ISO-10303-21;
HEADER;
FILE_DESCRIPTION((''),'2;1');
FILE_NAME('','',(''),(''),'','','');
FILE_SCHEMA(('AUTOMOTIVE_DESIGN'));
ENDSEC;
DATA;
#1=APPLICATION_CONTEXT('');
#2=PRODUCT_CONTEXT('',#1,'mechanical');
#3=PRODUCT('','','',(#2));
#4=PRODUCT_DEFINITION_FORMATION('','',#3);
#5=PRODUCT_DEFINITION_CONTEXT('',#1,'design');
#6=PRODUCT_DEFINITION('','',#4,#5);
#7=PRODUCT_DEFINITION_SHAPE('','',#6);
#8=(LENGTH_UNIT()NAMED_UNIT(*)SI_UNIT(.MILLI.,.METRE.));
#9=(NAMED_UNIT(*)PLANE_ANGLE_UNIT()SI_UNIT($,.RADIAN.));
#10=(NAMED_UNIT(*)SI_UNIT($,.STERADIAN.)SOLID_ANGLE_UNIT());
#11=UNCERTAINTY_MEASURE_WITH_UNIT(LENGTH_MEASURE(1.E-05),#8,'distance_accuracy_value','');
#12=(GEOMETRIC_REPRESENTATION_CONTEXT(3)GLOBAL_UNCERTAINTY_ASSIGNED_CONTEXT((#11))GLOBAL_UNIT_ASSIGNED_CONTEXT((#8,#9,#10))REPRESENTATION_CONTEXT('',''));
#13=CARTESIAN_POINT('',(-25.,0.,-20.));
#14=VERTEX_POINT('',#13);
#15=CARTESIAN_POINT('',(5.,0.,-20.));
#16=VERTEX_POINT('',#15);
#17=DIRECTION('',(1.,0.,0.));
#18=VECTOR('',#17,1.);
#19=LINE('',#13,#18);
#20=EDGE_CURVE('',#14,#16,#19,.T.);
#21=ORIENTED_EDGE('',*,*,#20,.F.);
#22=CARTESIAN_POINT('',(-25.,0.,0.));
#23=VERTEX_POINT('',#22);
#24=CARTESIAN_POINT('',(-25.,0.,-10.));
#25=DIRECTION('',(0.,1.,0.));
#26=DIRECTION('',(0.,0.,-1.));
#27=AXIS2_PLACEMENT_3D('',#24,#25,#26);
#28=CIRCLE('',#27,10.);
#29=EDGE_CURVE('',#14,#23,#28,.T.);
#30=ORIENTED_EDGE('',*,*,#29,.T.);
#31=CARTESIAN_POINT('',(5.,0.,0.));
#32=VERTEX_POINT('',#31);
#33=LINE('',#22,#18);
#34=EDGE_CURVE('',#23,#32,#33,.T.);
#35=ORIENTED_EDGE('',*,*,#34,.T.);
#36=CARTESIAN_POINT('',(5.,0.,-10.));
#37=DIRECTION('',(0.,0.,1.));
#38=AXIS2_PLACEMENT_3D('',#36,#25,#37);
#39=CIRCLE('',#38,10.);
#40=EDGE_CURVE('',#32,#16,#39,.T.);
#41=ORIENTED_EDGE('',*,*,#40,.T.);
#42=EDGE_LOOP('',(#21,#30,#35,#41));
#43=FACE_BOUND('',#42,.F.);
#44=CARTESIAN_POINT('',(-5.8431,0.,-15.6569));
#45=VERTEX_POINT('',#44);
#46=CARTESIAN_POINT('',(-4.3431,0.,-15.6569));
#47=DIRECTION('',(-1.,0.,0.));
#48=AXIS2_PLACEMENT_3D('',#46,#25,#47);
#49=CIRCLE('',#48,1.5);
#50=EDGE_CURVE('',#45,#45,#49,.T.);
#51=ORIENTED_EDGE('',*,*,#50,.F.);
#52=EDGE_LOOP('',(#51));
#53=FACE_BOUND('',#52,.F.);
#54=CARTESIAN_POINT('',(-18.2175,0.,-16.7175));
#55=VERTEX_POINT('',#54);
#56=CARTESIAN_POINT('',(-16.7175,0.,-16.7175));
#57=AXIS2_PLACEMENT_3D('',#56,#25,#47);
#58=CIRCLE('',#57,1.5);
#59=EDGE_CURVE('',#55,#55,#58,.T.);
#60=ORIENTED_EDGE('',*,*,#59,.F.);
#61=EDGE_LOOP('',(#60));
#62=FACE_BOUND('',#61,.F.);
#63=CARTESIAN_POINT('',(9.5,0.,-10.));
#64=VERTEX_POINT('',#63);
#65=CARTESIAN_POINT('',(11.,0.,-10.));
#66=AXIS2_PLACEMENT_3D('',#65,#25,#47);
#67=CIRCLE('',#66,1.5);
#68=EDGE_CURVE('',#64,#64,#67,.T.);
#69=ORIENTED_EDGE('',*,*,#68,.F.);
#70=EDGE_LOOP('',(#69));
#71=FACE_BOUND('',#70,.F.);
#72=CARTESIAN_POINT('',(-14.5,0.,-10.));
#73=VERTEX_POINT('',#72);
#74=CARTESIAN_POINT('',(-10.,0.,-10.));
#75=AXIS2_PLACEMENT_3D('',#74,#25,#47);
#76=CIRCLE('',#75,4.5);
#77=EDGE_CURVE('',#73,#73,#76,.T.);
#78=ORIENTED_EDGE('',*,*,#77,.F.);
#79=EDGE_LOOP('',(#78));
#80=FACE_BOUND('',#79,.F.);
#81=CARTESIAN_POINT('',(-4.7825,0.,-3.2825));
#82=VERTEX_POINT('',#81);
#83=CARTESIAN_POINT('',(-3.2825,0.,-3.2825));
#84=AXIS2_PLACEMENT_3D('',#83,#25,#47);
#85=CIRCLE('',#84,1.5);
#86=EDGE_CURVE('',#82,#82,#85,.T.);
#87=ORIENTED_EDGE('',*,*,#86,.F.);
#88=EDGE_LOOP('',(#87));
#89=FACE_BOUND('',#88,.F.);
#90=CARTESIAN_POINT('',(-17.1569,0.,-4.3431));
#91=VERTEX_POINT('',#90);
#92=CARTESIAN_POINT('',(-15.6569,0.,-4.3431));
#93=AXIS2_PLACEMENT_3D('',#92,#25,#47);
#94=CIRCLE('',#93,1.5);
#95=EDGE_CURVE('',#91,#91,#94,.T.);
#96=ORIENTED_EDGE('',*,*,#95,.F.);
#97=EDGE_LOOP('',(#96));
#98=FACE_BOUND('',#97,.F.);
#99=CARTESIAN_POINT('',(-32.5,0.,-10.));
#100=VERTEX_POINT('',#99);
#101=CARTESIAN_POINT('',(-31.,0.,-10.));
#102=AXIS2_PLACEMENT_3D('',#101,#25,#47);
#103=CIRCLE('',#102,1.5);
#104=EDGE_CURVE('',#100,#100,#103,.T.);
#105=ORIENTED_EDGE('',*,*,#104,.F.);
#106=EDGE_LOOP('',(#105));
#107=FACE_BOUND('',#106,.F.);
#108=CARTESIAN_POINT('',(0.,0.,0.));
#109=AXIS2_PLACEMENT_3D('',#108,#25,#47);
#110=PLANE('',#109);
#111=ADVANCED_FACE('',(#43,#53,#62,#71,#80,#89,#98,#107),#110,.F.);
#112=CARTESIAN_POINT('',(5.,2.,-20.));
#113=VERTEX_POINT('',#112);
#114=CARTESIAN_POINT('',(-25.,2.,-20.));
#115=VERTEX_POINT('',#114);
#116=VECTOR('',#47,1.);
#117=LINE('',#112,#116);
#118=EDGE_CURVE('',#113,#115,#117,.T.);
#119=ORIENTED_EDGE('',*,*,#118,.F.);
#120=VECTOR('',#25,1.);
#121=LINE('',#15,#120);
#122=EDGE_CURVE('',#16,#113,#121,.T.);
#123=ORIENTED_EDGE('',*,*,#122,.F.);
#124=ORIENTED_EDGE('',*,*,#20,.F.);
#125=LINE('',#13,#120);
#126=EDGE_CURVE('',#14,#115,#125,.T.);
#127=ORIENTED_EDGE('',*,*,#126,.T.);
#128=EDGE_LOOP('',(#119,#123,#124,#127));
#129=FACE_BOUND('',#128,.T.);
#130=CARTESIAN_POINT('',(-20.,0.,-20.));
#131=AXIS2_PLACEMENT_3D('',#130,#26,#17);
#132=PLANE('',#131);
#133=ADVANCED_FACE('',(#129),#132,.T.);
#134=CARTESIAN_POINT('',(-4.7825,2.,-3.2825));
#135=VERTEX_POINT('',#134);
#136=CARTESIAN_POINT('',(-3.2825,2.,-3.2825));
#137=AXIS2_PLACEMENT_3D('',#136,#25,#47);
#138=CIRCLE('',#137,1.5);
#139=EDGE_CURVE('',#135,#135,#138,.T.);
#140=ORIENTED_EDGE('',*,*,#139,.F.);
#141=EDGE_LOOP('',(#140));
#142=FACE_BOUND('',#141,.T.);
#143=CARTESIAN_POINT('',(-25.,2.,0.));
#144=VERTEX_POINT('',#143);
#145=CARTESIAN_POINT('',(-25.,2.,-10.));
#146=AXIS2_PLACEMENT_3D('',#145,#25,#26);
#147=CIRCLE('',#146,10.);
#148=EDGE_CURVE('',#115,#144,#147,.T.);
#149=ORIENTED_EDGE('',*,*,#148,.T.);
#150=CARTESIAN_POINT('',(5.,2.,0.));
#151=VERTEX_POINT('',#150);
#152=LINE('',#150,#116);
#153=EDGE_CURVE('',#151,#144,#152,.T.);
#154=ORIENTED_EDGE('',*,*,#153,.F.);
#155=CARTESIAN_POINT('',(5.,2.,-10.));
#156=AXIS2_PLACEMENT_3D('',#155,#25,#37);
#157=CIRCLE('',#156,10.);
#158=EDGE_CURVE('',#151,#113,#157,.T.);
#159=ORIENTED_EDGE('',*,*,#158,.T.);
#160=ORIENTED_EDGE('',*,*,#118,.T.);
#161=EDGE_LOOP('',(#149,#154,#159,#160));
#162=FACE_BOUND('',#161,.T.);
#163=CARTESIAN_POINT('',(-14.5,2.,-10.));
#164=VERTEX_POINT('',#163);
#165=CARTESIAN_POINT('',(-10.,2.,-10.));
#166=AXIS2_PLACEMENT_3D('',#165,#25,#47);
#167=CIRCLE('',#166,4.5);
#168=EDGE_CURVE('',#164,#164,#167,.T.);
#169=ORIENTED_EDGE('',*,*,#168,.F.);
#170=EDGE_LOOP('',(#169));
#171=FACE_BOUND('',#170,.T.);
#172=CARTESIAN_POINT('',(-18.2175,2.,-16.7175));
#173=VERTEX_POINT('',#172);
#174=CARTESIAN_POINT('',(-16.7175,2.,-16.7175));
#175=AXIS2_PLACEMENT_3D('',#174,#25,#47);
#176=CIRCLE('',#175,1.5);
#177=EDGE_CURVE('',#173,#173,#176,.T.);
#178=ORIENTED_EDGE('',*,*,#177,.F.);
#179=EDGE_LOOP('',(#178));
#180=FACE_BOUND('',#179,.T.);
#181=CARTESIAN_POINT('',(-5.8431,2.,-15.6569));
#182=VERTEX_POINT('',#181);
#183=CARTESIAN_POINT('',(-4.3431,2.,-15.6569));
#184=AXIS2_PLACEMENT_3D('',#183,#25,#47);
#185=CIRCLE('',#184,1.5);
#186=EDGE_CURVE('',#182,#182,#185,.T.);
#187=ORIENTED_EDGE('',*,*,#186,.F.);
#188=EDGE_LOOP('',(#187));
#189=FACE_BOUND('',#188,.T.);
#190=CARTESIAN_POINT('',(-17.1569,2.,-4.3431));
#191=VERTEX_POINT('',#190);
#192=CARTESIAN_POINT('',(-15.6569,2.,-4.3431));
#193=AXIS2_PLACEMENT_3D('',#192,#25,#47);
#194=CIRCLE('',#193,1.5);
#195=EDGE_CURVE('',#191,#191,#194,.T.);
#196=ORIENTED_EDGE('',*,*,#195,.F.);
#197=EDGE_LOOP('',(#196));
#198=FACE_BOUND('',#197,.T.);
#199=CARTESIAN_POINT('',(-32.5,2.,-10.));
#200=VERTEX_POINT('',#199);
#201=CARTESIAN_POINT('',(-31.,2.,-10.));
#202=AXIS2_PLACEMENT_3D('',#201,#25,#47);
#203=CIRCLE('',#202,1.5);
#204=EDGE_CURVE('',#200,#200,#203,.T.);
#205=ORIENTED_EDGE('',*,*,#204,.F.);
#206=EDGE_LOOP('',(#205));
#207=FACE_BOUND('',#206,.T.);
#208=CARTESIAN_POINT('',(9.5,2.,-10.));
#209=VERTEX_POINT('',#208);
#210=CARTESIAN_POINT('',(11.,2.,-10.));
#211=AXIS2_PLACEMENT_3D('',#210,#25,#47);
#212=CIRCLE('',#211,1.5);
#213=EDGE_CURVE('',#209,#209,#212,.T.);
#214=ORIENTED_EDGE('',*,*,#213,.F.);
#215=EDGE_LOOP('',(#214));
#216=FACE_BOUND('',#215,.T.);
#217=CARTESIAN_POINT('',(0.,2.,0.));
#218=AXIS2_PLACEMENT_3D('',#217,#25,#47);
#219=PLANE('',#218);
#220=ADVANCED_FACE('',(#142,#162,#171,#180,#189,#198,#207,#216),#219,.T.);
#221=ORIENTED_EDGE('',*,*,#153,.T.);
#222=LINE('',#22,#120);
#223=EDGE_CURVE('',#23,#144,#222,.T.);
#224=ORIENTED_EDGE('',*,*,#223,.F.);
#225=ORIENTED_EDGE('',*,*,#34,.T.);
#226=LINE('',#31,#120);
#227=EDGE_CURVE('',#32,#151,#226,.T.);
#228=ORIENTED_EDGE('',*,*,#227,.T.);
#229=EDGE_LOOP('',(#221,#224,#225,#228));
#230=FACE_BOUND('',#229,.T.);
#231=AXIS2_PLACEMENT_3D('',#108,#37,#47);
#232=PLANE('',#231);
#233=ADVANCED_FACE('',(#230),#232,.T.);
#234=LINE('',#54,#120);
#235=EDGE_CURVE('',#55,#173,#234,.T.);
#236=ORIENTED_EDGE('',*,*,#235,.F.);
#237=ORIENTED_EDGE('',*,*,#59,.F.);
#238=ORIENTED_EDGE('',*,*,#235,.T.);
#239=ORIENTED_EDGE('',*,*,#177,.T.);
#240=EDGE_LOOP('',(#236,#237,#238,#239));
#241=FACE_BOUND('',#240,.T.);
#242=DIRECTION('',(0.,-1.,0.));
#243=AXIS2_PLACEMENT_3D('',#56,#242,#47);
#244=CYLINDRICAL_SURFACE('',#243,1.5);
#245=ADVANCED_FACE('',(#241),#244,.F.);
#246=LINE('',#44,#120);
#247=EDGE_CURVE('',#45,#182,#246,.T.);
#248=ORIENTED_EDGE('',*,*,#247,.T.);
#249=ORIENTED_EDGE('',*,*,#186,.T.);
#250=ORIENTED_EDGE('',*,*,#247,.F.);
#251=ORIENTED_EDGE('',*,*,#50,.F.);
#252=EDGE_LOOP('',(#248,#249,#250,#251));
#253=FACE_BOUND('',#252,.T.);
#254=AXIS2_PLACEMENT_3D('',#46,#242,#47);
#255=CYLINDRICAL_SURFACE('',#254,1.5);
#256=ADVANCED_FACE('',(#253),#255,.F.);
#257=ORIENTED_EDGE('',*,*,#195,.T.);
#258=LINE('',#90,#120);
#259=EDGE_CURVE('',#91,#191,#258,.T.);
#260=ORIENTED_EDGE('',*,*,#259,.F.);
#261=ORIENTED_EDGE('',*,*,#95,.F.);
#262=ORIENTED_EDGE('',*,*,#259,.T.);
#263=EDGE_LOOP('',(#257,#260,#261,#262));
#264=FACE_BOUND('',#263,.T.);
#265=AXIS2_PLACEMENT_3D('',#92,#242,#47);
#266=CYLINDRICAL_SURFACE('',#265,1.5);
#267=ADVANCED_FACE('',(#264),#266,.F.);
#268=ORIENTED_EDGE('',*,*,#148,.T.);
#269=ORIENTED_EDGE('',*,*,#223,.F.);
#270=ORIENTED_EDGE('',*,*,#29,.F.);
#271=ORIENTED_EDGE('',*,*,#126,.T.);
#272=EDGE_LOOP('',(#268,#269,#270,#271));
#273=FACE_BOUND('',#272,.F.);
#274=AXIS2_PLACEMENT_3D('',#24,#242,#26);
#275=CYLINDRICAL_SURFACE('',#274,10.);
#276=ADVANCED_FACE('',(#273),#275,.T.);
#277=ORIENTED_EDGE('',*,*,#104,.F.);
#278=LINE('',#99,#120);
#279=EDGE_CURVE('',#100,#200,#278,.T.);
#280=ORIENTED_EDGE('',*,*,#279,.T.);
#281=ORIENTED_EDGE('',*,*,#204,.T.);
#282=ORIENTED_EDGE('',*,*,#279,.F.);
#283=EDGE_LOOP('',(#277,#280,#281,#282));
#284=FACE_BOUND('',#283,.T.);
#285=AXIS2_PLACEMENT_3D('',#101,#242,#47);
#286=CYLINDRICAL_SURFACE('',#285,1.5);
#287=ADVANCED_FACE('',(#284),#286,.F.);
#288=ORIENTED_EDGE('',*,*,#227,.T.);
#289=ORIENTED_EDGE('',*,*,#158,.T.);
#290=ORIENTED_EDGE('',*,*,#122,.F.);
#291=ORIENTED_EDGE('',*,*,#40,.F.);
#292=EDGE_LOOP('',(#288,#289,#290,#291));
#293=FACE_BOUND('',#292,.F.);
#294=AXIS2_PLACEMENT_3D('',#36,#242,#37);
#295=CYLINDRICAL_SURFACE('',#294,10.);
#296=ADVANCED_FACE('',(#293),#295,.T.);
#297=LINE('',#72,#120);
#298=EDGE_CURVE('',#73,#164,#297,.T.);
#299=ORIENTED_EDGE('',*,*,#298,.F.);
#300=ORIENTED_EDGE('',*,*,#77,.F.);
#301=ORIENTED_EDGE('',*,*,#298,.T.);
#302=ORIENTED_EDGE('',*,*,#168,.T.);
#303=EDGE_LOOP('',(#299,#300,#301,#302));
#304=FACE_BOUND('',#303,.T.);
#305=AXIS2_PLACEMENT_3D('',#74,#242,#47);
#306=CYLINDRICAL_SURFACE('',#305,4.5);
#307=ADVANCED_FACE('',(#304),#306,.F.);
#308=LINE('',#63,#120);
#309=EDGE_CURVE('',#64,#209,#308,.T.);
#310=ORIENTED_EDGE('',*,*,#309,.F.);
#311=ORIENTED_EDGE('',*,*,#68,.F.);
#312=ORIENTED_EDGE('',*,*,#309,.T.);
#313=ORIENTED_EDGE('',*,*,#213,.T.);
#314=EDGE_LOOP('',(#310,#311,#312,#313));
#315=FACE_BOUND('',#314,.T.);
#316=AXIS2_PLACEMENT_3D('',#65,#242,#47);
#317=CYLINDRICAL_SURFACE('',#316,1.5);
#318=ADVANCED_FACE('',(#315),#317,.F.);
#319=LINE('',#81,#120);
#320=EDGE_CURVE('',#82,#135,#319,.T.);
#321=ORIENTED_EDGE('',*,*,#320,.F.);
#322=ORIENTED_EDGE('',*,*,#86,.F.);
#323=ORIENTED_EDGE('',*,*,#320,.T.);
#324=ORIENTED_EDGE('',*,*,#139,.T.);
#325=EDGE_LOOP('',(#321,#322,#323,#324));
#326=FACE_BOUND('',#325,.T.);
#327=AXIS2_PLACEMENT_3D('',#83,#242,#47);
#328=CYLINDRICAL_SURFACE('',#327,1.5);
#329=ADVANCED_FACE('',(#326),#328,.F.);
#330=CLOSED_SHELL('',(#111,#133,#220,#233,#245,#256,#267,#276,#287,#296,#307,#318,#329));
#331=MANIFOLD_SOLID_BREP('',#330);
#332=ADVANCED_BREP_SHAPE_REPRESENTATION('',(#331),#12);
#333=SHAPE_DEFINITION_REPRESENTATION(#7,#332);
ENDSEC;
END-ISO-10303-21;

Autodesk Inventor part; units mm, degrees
ref_plane "YZ Plane" through (0, 0, 0) normal (1, 0, 0) x (0, 1, 0)
ref_plane "XZ Plane" through (0, 0, 0) normal (0, 1, 0) x (-1, 0, 0)
ref_plane "XY Plane" through (0, 0, 0) normal (0, 0, 1) x (1, 0, 0)
sketch "Sketch2" plane through (0, 0, 0) normal (0, 1, 0) x (-1, 0, 0)
  line L0 (0, 0) -> (20, 0)
  line L1 (20, 0) -> (20, -20)
  line L2 (20, -20) -> (0, -20)
  line L3 (0, -20) -> (0, 0)
  line L4 (20, 0) -> (0, -20) construction
  line L5 (20, -20) -> (0, 0) construction
  circle A0 centre (15.6569, -4.3431) radius 1.5
  circle A1 centre (16.7175, -16.7175) radius 1.5
  circle A2 centre (3.2825, -3.2825) radius 1.5
  circle A3 centre (4.3431, -15.6569) radius 1.5
  circle A4 centre (10, -10) radius 4.5
  line L6 (20, -20) -> (25, -20)
  line L7 (25, -20) -> (25, 0)
  line L8 (25, 0) -> (20, 0)
  line L9 (20, 0) -> (20, -20)
  line L10 (0, -20) -> (-5, -20)
  line L11 (-5, -20) -> (-5, 0)
  line L12 (-5, 0) -> (0, 0)
  line L13 (0, 0) -> (0, -20)
  arc A5 (25, -20) -> (25, 0) centre (25, -10) ccw
  arc A6 (-5, 0) -> (-5, -20) centre (-5, -10) ccw
  circle A7 centre (31, -10) radius 1.5
  circle A8 centre (-11, -10) radius 1.5
  dimension "d37" = 3
  dimension "d38" = 3
  dimension "d39" = 3
  dimension "d40" = 3
  dimension "d41" = 9.5
  dimension "d42" = 9.5
  dimension "d43" = 8
  dimension "d44" = 8
  dimension "d60" = 20
  dimension "d61" = 9
  dimension "d66" = 5
  dimension "d67" = 5
  dimension "d68" = 3
  dimension "d69" = 3
  dimension "d70" = 6
  dimension "d71" = 6
extrude "Extrusion2" add sketch "Sketch2" along normal blind 2
sketch "Sketch3" plane through (0, 2, 0) normal (0, 1, 0) x (1, 0, 0)
  line L0 (5, 20) -> (-25, 20) projected
  arc A0 (-25, 20) -> (-25, 0) centre (-25, 10) ccw projected
  line L1 (-25, 0) -> (5, 0) projected
  arc A1 (5, 0) -> (5, 20) centre (5, 10) ccw projected
  circle A2 centre (-16.7175, 16.7175) radius 1.5 projected
  circle A3 centre (-3.2825, 3.2825) radius 1.5 projected
  circle A4 centre (-10, 10) radius 4.5 projected
  circle A5 centre (-4.3431, 15.6569) radius 1.5 projected
  circle A6 centre (-15.6569, 4.3431) radius 1.5 projected
  circle A7 centre (-31, 10) radius 1.5 projected
  circle A8 centre (11, 10) radius 1.5 projected
  point P0 (0, 0)
properties part number "Motor_mount_plate"
